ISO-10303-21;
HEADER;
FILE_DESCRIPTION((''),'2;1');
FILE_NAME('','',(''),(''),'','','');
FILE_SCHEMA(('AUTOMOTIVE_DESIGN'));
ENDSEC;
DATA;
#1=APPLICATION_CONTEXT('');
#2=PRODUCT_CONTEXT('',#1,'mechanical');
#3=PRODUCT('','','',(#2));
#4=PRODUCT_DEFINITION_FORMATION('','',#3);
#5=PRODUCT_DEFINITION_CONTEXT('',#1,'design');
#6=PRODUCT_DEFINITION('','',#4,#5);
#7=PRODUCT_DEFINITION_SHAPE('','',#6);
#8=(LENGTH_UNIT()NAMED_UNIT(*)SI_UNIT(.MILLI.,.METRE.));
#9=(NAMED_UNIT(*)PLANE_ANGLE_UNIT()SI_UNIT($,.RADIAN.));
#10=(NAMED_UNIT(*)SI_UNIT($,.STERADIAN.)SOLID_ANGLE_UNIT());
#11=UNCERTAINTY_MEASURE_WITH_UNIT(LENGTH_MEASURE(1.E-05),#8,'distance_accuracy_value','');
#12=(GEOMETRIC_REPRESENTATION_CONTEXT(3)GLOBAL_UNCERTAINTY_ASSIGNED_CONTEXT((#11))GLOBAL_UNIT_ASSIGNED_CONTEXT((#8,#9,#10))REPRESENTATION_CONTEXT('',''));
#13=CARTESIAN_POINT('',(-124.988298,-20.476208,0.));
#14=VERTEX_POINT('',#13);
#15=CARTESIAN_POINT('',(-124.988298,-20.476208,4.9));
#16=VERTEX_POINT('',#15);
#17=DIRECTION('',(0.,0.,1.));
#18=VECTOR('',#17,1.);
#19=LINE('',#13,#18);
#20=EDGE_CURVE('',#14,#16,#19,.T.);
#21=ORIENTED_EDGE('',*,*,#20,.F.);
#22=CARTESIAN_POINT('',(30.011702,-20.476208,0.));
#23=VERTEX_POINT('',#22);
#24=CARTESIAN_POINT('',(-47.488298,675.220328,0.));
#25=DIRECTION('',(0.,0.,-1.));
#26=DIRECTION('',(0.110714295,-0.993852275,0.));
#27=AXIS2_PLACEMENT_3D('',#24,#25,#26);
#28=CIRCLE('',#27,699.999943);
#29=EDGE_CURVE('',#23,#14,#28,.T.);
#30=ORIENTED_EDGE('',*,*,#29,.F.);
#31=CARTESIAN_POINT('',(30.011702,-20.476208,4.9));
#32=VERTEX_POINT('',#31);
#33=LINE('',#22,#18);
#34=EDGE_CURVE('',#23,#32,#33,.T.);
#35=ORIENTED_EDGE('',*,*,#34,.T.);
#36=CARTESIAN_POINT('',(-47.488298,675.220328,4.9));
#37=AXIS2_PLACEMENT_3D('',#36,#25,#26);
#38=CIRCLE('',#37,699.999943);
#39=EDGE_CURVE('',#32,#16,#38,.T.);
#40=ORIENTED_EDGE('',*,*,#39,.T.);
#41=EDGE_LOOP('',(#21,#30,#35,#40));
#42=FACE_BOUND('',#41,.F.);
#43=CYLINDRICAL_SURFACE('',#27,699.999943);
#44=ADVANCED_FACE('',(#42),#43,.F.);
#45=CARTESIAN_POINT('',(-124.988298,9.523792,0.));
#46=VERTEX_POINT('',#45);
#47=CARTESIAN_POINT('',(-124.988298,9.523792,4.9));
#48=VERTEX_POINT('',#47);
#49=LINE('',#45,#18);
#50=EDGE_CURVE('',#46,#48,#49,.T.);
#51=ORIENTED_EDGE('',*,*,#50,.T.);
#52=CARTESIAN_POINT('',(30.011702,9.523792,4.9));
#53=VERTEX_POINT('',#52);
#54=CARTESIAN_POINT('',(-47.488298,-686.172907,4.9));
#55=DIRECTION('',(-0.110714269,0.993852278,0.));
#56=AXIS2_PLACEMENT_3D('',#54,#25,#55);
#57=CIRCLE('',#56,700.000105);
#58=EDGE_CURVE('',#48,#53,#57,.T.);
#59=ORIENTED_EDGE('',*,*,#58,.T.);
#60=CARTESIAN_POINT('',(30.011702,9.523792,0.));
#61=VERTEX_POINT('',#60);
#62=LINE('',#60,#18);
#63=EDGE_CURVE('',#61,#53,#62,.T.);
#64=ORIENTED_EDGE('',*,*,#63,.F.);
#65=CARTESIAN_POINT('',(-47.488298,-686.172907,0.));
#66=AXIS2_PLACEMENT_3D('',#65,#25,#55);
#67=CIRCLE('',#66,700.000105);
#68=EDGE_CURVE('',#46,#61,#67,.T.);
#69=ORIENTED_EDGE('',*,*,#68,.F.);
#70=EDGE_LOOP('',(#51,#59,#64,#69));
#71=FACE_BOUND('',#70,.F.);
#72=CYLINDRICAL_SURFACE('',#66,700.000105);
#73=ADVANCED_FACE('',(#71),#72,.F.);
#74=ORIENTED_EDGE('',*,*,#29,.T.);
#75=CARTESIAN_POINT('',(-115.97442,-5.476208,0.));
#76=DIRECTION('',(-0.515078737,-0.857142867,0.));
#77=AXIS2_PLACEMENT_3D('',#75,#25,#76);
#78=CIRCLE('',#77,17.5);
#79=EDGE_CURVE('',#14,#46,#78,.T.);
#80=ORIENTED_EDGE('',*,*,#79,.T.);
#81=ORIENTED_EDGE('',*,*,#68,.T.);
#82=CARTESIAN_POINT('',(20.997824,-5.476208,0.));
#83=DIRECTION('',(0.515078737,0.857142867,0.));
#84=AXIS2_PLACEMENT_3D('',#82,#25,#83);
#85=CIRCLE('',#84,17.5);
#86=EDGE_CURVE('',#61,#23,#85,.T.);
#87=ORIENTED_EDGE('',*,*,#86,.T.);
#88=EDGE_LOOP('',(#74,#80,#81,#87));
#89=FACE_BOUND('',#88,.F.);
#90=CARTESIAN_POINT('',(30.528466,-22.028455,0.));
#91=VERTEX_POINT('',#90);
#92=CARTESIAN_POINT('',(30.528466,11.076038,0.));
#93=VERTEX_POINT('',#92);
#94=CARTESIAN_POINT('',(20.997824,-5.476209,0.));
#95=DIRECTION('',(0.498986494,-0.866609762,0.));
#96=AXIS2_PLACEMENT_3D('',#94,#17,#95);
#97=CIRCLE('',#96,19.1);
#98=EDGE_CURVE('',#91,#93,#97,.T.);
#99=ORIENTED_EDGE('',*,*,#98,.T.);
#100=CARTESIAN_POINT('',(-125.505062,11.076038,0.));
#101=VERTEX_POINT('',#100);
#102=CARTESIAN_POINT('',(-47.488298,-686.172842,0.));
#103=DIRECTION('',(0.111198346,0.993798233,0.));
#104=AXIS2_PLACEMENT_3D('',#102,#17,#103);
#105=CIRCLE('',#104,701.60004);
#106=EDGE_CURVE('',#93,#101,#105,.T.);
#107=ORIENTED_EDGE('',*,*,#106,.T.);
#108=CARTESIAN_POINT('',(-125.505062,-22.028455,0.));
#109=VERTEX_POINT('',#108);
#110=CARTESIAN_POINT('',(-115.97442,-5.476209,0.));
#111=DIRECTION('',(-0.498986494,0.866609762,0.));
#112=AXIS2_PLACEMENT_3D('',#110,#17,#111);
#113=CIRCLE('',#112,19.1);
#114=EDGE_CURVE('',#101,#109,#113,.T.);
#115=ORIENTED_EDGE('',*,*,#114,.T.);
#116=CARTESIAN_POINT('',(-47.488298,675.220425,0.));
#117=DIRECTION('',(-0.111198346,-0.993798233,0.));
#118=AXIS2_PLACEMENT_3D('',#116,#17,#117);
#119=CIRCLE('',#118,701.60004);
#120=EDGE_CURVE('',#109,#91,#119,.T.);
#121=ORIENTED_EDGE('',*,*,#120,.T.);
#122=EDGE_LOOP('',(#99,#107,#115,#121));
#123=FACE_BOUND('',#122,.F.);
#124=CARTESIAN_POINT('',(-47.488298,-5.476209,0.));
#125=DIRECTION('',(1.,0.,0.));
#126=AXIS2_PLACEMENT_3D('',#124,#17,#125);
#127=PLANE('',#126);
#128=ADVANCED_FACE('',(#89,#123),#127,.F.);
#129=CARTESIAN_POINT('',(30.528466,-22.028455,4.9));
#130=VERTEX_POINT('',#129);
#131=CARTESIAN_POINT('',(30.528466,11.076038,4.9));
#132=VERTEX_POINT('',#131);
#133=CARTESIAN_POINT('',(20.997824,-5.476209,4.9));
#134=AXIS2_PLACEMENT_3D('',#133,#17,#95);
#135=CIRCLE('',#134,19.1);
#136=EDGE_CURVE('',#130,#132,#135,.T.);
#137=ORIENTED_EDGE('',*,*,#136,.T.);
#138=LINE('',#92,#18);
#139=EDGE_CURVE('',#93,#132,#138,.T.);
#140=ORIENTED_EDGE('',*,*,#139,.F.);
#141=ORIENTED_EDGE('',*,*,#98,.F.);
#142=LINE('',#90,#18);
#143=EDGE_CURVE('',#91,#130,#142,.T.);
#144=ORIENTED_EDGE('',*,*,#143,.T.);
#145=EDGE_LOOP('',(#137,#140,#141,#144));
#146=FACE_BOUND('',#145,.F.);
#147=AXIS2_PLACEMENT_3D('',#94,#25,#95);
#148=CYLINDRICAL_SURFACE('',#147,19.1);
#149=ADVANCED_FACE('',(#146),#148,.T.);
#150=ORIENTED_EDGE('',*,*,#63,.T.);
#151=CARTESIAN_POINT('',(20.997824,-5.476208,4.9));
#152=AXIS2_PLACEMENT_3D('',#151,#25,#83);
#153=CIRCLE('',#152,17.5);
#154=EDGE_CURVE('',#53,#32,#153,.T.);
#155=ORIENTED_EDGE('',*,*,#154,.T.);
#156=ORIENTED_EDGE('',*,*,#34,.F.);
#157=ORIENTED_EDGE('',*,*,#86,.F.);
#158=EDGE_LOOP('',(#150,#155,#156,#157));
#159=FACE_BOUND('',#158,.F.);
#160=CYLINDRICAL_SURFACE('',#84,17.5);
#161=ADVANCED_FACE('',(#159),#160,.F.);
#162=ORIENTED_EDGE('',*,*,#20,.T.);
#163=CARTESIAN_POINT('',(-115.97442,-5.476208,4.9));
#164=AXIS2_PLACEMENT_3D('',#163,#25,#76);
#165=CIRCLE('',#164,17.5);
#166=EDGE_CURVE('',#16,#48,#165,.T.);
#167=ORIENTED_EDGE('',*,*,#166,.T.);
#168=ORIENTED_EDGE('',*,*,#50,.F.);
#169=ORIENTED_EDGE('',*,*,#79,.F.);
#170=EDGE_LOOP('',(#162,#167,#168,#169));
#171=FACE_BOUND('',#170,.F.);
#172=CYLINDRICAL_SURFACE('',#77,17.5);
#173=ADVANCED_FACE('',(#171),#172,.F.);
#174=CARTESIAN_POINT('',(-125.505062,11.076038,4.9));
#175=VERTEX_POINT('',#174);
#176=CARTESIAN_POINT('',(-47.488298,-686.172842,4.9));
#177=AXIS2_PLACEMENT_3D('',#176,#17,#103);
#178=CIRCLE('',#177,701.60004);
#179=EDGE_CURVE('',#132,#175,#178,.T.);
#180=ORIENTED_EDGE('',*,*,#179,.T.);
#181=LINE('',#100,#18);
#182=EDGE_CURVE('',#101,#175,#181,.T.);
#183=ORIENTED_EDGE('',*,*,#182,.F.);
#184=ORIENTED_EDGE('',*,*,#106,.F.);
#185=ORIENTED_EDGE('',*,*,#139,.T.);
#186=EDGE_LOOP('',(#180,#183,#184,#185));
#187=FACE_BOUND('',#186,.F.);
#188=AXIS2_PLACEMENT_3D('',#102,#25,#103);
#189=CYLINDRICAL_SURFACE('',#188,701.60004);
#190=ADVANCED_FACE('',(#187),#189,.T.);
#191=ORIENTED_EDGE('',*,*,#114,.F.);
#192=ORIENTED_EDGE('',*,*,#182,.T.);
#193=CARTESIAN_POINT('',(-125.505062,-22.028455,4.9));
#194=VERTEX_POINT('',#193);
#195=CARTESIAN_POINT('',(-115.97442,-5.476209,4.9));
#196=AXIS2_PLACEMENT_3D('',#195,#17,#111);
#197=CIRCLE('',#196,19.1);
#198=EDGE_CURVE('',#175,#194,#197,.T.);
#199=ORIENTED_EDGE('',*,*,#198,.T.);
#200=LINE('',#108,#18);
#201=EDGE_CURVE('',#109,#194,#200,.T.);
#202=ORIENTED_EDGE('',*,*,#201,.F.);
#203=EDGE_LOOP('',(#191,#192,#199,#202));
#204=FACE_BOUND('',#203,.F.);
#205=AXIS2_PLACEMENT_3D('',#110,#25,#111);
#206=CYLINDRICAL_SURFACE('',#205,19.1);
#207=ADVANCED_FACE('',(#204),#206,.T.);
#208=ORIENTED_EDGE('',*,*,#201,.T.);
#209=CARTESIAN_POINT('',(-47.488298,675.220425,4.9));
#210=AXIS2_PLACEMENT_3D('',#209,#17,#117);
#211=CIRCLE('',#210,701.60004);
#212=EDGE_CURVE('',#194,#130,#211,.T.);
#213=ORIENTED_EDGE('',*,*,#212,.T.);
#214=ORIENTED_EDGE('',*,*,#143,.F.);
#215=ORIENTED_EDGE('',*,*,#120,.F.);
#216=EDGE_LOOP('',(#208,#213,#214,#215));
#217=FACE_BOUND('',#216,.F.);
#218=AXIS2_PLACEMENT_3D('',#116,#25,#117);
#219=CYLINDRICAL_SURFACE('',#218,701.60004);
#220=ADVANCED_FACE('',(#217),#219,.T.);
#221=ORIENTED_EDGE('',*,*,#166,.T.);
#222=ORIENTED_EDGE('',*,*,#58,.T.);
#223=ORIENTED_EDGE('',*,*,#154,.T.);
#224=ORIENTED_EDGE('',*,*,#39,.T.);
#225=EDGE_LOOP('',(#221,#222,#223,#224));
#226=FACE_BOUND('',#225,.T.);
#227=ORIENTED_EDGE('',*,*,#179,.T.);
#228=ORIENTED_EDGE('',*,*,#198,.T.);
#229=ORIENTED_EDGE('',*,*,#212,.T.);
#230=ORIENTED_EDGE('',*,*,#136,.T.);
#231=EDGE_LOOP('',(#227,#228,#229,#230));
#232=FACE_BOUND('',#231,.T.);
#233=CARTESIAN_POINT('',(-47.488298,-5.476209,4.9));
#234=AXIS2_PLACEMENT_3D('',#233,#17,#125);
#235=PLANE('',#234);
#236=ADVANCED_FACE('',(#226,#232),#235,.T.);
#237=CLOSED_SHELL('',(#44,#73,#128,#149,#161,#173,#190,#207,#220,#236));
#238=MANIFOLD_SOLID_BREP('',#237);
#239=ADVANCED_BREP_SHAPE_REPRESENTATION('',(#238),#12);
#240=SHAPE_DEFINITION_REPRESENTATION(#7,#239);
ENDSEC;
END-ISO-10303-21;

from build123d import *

# Parameters (mm, degrees)
F1_DEPTH = 4.9


with BuildPart() as f1:
    # F0 (on Top) → F1 (new body)
    with BuildSketch(Plane.XY):
        with BuildLine():
            ThreePointArc((30.528466, -22.028455), (40.097824, -5.476208), (30.528466, 11.076038))
            ThreePointArc((30.528466, 11.076038), (-47.488298, 15.427198), (-125.505062, 11.076038))
            ThreePointArc((-125.505062, 11.076038), (-135.07442, -5.476208), (-125.505062, -22.028455))
            ThreePointArc((-125.505062, -22.028455), (-47.488298, -26.379615), (30.528466, -22.028455))
        make_face()
        with BuildLine():
            ThreePointArc((-124.988298, -20.476208), (-133.47442, -5.476208), (-124.988298, 9.523792))
            ThreePointArc((-124.988298, 9.523792), (-47.488298, 13.827198), (30.011702, 9.523792))
            ThreePointArc((30.011702, 9.523792), (38.497824, -5.476208), (30.011702, -20.476208))
            ThreePointArc((30.011702, -20.476208), (-47.488298, -24.779615), (-124.988298, -20.476208))
        make_face(mode=Mode.SUBTRACT)
    extrude(amount=F1_DEPTH)


solid = f1.part
